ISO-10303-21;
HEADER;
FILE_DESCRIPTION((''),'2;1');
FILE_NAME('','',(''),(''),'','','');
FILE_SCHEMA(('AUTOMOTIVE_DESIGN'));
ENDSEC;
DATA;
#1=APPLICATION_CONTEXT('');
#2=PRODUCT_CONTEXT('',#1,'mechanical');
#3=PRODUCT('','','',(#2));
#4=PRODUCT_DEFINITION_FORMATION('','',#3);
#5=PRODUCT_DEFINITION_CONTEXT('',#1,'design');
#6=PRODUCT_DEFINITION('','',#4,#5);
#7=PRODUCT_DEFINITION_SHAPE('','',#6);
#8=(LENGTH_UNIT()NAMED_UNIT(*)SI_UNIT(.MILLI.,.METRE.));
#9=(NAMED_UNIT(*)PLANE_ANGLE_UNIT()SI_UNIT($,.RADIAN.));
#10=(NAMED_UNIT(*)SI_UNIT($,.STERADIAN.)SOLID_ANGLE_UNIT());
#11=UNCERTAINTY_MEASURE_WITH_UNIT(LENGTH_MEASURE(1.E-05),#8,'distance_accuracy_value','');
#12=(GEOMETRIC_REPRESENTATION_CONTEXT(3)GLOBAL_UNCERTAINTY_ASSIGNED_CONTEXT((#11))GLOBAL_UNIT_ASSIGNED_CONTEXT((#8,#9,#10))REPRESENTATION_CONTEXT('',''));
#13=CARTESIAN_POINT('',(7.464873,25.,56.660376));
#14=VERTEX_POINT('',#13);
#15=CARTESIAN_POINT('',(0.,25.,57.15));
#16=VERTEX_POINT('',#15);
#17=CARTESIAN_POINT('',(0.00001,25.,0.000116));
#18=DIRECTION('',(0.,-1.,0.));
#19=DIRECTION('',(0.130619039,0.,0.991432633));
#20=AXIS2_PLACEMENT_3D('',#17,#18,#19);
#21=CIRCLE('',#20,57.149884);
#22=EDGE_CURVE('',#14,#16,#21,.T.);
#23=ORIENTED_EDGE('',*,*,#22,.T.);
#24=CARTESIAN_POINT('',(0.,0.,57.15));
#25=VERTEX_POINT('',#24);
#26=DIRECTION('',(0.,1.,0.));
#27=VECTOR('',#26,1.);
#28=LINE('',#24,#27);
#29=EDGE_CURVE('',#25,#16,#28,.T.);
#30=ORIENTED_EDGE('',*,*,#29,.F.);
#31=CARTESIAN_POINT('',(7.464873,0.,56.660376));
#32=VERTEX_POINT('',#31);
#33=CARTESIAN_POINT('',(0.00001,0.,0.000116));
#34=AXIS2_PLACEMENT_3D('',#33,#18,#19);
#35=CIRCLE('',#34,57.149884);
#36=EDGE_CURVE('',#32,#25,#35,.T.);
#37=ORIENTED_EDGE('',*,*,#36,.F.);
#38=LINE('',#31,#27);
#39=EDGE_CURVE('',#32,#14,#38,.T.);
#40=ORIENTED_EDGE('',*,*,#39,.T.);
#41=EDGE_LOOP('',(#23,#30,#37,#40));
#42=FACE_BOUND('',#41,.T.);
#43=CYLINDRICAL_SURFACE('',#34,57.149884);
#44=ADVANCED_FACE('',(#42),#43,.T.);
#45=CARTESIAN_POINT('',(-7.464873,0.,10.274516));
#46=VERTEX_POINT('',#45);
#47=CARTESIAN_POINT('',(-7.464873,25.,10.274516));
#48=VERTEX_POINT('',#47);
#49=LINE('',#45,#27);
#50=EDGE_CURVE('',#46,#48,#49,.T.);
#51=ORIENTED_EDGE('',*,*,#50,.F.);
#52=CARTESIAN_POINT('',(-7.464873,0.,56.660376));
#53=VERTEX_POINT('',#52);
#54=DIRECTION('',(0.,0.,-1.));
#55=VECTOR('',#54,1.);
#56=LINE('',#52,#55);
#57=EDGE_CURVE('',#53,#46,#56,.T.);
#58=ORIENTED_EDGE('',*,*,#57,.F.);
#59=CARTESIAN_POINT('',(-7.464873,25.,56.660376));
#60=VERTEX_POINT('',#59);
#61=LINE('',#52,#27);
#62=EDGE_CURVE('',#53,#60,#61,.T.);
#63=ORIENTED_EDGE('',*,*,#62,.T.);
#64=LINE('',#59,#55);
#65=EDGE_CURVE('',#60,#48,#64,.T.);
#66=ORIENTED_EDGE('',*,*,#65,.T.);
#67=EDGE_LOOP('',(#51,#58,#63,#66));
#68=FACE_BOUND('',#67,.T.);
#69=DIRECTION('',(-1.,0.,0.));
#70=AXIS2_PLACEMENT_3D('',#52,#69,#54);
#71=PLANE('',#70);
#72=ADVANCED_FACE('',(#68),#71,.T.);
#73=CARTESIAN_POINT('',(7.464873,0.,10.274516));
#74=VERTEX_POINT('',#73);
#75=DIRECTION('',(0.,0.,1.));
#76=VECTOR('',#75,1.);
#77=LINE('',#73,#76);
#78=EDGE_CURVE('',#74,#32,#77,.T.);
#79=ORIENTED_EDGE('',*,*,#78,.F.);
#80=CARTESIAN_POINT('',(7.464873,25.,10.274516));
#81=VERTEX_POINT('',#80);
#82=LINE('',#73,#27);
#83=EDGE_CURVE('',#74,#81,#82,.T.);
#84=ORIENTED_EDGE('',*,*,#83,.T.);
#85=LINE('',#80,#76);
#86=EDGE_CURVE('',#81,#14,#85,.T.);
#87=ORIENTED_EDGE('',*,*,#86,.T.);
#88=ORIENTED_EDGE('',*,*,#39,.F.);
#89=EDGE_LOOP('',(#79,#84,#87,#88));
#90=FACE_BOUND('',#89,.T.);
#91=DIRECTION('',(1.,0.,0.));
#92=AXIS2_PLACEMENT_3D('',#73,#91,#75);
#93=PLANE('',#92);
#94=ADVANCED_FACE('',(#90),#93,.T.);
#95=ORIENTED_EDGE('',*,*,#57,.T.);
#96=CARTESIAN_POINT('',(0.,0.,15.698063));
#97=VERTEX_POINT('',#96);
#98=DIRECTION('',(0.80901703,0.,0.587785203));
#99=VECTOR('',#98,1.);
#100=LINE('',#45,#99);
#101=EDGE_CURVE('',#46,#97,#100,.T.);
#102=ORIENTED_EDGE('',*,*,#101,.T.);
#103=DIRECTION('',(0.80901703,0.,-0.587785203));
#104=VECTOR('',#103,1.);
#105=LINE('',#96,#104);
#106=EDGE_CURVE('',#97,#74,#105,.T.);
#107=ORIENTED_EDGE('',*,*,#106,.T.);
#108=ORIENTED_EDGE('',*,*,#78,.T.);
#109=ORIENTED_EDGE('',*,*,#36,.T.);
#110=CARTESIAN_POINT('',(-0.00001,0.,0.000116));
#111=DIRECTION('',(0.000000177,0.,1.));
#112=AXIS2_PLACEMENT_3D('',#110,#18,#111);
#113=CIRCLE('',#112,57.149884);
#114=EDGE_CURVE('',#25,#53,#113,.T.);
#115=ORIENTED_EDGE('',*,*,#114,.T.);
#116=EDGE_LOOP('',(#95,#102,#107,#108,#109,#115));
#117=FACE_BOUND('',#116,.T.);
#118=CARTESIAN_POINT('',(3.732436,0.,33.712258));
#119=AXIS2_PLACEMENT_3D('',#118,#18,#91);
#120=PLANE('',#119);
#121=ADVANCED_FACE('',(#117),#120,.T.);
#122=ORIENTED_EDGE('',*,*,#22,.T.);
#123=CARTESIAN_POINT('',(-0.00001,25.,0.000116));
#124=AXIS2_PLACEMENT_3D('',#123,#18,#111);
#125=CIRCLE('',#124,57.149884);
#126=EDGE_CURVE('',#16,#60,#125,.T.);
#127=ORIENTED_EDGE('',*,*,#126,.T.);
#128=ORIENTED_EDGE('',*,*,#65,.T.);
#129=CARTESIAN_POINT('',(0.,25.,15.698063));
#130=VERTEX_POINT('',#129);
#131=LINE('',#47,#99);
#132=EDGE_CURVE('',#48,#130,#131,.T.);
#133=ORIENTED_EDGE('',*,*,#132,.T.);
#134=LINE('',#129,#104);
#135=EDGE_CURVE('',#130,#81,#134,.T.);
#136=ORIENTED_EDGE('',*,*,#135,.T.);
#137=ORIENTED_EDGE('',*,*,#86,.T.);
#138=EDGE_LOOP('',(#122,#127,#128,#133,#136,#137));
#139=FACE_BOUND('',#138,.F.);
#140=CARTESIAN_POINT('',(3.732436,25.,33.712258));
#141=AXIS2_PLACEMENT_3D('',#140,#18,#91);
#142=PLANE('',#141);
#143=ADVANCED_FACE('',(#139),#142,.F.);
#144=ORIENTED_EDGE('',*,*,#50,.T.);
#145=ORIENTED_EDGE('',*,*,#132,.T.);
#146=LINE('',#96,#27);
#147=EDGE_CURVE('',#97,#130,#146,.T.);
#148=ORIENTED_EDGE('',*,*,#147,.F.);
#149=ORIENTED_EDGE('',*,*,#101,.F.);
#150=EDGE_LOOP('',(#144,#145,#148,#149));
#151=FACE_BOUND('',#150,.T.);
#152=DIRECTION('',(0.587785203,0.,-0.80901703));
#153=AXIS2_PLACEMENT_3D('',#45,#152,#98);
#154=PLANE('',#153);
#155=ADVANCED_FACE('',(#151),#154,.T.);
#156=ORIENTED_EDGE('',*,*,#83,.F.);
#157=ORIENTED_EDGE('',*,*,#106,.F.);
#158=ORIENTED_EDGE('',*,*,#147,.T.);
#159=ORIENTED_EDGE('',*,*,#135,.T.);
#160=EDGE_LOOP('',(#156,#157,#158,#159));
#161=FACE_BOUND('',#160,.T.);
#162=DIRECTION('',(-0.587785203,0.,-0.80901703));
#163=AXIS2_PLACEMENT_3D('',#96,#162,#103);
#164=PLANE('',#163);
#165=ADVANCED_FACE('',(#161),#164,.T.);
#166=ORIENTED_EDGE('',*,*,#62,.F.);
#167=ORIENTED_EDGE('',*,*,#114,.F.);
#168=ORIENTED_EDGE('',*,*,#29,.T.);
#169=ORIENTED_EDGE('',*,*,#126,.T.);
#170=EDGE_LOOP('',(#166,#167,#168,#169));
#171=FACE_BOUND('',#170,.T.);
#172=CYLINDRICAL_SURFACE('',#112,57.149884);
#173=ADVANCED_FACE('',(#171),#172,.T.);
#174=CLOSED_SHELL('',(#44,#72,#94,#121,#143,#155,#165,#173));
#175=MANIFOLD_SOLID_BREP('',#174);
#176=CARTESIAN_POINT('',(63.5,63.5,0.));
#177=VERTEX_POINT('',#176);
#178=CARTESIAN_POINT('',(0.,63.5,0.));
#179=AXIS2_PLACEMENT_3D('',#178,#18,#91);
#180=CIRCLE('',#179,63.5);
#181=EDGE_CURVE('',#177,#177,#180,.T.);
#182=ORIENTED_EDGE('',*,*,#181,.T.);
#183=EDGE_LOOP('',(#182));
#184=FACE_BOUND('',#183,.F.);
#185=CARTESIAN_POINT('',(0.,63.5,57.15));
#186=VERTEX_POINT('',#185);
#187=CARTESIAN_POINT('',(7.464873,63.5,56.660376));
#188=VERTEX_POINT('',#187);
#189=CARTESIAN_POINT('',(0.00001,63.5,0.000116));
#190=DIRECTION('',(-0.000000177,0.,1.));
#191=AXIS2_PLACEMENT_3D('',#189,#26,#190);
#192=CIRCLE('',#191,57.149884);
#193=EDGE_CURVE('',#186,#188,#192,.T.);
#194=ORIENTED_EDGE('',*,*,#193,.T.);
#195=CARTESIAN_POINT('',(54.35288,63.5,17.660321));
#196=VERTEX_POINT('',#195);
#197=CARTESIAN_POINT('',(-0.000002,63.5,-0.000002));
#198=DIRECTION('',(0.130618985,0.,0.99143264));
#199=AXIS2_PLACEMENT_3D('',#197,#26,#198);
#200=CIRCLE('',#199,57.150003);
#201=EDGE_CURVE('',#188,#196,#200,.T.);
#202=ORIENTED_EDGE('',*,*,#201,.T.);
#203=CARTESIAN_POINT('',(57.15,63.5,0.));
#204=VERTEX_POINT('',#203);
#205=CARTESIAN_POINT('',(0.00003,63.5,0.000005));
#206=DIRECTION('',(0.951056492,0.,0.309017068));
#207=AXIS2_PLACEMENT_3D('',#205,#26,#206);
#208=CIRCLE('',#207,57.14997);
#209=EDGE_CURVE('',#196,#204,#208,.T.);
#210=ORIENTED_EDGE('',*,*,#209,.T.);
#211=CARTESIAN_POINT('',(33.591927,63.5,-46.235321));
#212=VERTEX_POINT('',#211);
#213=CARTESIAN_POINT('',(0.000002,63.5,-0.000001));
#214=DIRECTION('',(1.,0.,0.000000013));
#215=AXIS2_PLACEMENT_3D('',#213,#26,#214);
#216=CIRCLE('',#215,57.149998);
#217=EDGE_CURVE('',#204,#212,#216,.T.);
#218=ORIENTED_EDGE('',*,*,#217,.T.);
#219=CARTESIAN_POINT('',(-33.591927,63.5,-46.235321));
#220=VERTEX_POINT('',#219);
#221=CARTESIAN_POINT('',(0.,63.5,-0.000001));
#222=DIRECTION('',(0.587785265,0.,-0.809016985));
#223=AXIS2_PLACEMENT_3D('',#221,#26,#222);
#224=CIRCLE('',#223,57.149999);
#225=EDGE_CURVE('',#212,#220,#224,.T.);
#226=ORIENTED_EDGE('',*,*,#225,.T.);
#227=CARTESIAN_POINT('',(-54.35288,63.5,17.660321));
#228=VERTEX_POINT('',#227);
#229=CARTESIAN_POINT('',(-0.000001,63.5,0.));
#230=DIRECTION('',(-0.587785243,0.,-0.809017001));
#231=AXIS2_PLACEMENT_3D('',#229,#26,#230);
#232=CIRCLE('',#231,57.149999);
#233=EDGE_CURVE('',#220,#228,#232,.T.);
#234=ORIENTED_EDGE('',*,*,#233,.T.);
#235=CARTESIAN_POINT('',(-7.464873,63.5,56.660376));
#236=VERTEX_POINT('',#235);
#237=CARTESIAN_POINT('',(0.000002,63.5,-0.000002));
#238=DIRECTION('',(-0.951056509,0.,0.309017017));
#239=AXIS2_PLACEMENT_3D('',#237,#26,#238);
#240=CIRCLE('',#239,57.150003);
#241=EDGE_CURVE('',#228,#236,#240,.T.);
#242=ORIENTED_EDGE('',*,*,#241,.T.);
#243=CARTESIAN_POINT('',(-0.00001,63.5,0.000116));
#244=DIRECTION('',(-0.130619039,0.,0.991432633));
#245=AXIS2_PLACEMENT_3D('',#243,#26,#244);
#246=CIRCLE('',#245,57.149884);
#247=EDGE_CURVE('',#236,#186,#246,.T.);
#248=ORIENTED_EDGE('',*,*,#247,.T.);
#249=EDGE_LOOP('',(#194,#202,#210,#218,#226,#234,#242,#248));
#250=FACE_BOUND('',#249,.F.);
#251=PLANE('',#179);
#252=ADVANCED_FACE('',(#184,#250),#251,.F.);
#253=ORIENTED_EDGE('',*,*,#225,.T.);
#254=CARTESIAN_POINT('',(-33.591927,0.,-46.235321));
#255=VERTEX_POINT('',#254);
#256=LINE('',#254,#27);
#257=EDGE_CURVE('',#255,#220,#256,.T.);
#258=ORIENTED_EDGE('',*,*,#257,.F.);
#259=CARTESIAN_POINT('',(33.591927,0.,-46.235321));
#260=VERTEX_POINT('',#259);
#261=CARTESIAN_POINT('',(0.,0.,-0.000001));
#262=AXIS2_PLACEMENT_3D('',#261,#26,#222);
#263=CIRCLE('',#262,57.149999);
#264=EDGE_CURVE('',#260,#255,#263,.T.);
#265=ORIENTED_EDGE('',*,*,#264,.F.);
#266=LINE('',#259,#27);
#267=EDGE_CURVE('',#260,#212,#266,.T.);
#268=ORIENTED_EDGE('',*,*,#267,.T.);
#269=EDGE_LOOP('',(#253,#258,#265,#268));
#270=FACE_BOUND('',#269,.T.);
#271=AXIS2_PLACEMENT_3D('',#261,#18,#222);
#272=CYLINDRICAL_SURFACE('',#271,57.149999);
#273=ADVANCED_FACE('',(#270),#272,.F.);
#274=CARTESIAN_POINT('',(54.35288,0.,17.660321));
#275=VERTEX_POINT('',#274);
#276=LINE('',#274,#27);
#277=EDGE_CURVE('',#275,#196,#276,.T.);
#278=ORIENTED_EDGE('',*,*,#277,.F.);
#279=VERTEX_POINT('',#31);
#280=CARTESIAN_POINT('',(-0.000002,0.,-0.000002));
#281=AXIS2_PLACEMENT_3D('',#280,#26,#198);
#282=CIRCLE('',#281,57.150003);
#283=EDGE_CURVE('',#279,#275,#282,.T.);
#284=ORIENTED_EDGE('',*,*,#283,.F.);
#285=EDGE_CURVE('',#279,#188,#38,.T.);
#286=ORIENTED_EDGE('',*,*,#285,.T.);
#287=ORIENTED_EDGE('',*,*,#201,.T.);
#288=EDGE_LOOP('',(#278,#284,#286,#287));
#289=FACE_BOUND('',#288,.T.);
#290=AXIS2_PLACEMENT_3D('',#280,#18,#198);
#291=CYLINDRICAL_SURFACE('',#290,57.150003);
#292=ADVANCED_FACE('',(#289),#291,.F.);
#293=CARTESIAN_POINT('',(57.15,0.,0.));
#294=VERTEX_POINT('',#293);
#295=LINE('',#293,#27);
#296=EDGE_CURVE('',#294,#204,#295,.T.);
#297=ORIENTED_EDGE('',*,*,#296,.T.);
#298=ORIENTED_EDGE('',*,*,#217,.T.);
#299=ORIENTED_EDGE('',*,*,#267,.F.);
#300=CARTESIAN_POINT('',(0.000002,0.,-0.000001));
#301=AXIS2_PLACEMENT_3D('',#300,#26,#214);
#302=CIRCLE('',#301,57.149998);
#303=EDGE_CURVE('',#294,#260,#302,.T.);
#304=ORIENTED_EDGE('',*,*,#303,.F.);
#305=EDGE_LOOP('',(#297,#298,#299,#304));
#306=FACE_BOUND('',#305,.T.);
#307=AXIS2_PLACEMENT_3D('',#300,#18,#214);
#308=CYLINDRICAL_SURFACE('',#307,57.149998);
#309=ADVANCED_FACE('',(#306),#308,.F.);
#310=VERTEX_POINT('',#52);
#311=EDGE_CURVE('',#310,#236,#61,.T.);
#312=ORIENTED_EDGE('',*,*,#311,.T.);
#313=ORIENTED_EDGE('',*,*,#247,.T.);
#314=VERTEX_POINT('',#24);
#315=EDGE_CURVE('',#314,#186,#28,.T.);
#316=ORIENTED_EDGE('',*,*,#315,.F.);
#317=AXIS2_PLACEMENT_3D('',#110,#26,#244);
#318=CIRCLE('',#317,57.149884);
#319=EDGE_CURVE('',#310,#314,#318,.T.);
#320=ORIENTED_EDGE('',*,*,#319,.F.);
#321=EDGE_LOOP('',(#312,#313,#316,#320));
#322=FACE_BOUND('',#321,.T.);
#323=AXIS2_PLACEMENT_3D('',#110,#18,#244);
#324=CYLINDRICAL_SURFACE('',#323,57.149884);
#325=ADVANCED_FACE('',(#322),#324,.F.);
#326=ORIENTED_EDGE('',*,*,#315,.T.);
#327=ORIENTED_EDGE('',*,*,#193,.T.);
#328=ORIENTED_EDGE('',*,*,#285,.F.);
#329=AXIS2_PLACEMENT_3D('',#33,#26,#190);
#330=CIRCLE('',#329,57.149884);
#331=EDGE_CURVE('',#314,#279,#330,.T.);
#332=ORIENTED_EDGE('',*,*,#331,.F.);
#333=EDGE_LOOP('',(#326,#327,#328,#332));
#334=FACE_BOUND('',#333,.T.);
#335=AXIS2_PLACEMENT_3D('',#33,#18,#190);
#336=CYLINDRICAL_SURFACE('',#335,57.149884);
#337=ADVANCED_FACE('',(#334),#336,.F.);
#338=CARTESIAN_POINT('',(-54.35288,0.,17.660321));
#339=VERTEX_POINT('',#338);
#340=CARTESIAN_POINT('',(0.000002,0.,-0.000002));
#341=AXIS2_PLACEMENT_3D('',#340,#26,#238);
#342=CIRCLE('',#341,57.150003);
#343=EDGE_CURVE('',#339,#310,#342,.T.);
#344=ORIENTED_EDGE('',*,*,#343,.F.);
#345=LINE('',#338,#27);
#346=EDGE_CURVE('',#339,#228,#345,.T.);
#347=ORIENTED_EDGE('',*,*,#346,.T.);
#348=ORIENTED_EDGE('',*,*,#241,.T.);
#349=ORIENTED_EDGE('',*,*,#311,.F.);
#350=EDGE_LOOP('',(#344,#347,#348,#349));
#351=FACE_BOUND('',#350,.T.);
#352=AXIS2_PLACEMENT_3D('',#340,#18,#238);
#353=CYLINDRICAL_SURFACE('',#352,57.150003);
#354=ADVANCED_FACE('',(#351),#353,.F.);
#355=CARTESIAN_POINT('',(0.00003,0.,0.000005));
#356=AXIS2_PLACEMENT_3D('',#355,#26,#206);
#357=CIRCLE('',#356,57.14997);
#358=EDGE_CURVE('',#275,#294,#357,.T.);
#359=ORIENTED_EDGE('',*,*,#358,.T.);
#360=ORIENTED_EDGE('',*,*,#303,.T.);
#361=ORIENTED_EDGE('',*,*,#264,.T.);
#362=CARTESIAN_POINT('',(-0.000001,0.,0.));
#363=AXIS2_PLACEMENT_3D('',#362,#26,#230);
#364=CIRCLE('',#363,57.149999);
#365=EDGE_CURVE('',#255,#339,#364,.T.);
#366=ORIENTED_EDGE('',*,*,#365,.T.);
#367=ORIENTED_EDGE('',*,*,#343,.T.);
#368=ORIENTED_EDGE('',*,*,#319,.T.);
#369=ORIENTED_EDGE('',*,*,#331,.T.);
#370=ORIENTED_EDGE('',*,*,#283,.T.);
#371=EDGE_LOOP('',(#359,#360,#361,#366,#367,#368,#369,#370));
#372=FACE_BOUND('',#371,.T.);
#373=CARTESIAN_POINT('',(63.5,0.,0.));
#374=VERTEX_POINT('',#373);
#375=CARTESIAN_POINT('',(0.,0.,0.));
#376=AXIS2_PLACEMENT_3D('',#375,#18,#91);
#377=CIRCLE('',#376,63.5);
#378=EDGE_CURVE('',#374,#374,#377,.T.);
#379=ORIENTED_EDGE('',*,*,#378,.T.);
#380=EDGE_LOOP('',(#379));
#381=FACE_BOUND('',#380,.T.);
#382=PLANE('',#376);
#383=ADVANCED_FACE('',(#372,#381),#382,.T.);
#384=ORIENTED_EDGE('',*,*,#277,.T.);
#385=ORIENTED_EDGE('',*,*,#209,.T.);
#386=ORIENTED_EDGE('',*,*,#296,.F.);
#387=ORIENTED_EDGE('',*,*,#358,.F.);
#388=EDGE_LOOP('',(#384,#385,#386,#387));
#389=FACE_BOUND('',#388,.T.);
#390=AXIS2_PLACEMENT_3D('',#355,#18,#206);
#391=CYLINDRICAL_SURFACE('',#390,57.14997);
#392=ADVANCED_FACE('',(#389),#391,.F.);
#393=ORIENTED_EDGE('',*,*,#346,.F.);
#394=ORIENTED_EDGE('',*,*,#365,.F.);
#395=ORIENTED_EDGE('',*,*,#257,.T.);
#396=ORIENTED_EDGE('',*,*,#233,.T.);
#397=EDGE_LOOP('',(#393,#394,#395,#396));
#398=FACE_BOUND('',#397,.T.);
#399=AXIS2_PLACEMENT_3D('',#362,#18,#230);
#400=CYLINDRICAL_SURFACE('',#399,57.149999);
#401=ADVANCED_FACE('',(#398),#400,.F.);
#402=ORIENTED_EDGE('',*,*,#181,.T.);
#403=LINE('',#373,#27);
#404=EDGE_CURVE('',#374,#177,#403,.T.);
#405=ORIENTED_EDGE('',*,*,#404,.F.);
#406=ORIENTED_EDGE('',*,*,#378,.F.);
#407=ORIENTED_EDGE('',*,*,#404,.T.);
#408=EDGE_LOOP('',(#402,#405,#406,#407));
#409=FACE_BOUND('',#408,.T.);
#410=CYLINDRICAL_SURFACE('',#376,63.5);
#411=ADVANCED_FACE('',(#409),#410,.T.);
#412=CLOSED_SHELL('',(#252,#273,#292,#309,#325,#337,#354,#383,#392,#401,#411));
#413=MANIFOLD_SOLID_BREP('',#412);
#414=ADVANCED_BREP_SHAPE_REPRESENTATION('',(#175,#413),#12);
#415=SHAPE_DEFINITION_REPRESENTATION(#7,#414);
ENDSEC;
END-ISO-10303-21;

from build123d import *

# Parameters (mm, degrees)
F0_R     = 63.5
F1_DEPTH = 63.5
F2_DEPTH = 25


with BuildPart() as f1:
    # F0 (on Front) → F1 (new body)
    with BuildSketch(Plane.XZ):
        Circle(F0_R)
        with BuildLine():
            ThreePointArc((54.35288, 17.660321), (56.446389, 8.94023), (57.15, 0))
            ThreePointArc((57.15, 0), (50.921023, -25.945557), (33.591927, -46.235321))
            ThreePointArc((33.591927, -46.235321), (0, -57.15), (-33.591927, -46.235321))
            ThreePointArc((-33.591927, -46.235321), (-54.35288, -17.660321), (-54.35288, 17.660321))
            ThreePointArc((-54.35288, 17.660321), (-36.545994, 43.937601), (-7.464873, 56.660376))
            ThreePointArc((-7.464873, 56.660376), (-3.740456, 57.027463), (0, 57.15))
            ThreePointArc((0, 57.15), (3.740456, 57.027463), (7.464873, 56.660376))
            ThreePointArc((7.464873, 56.660376), (36.545994, 43.937601), (54.35288, 17.660321))
        make_face(mode=Mode.SUBTRACT)
    extrude(amount=-F1_DEPTH)


with BuildPart() as f2:
    # F0 (on Front) → F2 (new body)
    with BuildSketch(Plane.XZ):
        Polygon((7.464873, 10.274516), (7.464873, 51.726453), (0, 57.15), (0, 15.698063), align=None)
        Polygon((0, 15.698063), (0, 57.15), (-7.464873, 51.726453), (-7.464873, 10.274516), align=None)
        with BuildLine():
            Line((-7.464873, 51.726453), (0, 57.15))
            ThreePointArc((0, 57.15), (-3.740456, 57.027463), (-7.464873, 56.660376))
            Line((-7.464873, 56.660376), (-7.464873, 51.726453))
        make_face()
        with BuildLine():
            Line((7.464873, 51.726453), (7.464873, 56.660376))
            ThreePointArc((7.464873, 56.660376), (3.740456, 57.027463), (0, 57.15))
            Line((0, 57.15), (7.464873, 51.726453))
        make_face()
    extrude(amount=-F2_DEPTH)


solid = Compound([f1.part, f2.part])
